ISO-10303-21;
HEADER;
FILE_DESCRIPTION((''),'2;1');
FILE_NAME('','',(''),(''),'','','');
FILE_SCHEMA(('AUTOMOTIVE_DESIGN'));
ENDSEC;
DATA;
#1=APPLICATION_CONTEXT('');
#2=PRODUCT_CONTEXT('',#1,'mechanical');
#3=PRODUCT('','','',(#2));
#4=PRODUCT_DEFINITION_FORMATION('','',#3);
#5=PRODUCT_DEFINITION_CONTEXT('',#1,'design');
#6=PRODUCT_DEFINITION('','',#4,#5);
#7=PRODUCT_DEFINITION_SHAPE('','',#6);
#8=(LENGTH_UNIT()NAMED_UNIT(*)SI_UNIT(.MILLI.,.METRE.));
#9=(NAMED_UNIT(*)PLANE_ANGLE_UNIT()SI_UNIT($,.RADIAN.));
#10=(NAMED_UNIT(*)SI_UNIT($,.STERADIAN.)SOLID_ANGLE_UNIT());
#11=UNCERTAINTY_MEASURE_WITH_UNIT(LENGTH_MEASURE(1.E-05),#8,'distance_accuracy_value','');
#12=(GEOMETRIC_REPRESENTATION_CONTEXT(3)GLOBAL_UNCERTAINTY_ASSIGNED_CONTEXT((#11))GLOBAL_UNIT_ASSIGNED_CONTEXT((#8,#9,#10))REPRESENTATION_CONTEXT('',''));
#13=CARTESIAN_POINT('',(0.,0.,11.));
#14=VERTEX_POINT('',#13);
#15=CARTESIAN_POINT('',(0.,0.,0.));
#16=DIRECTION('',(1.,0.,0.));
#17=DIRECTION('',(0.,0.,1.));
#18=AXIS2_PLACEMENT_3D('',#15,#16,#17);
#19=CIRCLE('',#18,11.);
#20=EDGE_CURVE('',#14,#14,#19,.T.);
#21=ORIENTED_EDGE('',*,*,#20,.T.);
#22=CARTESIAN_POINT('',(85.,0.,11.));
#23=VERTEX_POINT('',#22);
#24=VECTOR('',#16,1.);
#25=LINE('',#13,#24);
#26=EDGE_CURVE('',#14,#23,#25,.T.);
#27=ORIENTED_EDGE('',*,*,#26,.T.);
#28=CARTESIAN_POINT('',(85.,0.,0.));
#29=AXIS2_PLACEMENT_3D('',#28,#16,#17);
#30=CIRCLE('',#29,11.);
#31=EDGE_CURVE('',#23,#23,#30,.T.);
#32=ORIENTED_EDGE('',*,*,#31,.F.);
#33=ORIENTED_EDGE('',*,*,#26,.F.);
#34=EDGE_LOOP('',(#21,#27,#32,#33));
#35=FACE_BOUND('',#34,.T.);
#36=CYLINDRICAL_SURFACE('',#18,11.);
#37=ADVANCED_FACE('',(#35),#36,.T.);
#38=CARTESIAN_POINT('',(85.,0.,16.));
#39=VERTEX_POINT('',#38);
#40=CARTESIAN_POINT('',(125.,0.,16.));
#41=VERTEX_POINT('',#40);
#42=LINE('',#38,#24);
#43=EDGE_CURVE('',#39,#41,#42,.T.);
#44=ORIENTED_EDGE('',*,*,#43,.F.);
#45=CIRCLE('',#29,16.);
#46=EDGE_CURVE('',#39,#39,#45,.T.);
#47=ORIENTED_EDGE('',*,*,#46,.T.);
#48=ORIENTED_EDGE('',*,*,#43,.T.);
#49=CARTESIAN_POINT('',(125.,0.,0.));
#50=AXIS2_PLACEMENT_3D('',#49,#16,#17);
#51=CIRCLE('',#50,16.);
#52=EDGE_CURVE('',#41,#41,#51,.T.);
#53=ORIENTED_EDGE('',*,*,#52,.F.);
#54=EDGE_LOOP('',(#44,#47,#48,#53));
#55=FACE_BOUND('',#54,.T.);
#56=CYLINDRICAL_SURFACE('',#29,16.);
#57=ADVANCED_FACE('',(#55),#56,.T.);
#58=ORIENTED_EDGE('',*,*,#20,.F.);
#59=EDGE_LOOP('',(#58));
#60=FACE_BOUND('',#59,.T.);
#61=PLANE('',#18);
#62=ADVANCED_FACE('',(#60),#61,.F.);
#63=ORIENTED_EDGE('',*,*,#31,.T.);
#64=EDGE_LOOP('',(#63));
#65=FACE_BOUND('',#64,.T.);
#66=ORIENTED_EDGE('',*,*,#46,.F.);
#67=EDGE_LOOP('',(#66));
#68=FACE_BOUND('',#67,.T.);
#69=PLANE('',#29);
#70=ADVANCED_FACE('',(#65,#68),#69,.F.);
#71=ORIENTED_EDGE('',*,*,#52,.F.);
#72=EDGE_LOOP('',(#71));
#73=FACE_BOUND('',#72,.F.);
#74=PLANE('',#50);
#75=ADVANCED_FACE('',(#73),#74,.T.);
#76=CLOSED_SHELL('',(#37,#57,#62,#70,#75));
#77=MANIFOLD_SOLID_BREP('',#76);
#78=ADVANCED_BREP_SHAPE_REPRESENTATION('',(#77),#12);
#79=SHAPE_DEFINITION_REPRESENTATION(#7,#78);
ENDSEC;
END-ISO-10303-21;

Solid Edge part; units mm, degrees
sketch "Sketch1" plane through (0, 0, 0) normal (0, -1, 0) x (1, 0, 0)
  line L0 (0, 0) -> (0, 11)
  line L1 (0, 11) -> (85, 11)
  line L2 (85, 11) -> (85, 16)
  line L3 (85, 16) -> (125, 16)
  line L4 (125, 0) -> (125, 16)
  dimension "D1" = 11
  dimension "D2" = 85
  dimension "D3" = 16
  dimension "D4" = 40
revolve "RevolvedProtrusion1" add sketch "Sketch1" angle 360 about axis through (0, 0, 0) along (1, 0, 0)
cosmetic_thread "Thread1" size "M22"
properties material "Steel"
